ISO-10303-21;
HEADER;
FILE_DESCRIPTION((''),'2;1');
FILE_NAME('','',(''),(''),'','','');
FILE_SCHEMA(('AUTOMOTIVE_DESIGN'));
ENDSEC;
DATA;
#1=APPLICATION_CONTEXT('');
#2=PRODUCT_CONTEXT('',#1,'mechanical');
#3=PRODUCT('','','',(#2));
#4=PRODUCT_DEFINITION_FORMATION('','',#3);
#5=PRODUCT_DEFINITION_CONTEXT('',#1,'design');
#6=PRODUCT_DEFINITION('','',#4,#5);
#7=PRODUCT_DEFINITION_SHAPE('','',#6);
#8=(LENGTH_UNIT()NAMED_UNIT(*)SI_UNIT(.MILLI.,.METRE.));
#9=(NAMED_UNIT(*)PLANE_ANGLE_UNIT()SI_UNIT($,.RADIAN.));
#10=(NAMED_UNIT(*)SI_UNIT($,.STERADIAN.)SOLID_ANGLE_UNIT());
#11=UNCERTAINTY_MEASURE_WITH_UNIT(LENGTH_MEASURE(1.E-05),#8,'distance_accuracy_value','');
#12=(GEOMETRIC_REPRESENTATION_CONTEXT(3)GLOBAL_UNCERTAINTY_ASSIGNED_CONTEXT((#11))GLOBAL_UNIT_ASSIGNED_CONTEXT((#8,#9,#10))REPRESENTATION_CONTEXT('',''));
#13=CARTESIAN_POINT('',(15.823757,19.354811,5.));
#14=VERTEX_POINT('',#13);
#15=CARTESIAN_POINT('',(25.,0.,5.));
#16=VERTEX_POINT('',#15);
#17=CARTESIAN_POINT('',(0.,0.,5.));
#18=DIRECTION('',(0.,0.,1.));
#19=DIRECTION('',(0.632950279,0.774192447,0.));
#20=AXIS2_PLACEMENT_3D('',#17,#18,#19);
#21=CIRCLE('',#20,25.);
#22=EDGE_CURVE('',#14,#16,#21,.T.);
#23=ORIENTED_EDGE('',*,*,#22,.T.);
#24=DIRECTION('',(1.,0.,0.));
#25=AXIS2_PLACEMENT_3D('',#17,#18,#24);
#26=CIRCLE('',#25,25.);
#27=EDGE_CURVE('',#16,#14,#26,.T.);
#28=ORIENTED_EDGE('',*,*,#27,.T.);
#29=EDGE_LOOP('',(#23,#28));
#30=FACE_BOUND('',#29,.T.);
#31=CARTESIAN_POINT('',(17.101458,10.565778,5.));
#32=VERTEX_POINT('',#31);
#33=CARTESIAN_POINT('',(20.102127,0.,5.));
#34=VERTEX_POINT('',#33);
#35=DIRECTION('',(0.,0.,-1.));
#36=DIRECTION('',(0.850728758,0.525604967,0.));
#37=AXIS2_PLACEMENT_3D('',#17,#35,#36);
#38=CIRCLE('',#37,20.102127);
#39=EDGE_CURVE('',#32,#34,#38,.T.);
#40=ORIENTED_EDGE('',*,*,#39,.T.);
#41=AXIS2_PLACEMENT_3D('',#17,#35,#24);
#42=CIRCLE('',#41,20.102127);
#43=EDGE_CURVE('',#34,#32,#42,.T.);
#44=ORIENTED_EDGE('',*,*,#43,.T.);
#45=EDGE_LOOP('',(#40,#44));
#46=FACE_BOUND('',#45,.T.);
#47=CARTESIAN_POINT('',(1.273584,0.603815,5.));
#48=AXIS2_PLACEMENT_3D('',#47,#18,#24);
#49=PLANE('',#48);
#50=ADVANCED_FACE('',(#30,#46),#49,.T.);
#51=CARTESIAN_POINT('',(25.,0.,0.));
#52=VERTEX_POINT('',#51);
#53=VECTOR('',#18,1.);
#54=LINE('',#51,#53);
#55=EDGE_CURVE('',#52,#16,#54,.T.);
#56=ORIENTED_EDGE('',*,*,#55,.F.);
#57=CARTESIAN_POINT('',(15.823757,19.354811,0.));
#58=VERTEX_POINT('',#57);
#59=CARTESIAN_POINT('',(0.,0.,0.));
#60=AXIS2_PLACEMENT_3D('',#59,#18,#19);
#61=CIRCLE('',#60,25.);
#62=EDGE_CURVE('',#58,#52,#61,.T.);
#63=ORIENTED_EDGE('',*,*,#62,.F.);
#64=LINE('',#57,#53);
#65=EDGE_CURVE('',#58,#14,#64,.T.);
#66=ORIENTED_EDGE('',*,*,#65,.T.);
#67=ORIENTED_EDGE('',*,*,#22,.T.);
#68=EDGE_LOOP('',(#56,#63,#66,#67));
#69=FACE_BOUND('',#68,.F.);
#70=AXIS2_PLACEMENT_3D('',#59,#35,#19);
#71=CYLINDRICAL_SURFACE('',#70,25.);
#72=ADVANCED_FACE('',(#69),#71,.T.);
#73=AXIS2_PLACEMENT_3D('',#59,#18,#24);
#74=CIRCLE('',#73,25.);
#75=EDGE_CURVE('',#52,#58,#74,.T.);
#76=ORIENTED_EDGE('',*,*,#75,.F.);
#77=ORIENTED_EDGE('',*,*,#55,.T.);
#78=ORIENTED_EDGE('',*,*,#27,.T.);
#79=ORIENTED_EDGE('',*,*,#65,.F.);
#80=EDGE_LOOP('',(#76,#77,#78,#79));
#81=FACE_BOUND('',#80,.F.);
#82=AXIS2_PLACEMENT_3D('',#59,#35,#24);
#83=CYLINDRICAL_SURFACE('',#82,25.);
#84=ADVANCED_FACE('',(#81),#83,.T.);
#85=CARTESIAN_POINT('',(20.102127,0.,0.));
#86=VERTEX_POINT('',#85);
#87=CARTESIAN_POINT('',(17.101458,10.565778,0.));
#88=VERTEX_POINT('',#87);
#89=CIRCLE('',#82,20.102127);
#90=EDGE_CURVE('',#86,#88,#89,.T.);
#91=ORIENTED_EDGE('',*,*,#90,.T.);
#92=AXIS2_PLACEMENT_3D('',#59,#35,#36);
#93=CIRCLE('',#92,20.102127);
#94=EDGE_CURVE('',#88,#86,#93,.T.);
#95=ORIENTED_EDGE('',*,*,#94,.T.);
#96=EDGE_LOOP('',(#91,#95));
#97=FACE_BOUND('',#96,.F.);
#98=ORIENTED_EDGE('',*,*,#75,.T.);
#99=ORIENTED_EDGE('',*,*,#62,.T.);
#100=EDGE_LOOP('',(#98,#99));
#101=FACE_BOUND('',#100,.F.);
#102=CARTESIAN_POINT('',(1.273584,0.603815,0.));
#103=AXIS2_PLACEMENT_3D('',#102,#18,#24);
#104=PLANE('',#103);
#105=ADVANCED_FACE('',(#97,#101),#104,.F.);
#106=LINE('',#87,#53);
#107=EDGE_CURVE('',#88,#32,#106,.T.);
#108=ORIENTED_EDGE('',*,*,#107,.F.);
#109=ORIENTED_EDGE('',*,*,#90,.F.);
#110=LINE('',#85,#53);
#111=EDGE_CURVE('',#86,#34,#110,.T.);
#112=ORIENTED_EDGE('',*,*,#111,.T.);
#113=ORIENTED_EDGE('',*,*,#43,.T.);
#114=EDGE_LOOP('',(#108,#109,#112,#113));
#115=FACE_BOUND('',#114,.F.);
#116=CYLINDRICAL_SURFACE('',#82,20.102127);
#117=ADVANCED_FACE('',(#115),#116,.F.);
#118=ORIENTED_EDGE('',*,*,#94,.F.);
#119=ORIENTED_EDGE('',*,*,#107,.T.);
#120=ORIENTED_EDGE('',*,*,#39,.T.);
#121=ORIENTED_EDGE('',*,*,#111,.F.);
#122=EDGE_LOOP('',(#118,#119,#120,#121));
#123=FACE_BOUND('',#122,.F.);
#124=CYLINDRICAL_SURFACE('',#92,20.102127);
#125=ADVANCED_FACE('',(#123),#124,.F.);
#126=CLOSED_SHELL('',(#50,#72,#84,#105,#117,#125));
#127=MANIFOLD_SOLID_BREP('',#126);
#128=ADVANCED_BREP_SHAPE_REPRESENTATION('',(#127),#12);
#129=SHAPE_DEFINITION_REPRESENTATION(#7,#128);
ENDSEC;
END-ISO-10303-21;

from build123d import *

# Parameters (mm, degrees)
F2_DEPTH = 5


with BuildPart() as f2:
    # F1 (on face) → F2 (new body)
    with BuildSketch(Plane.XY):
        with BuildLine():
            ThreePointArc((25, 0), (22.589753477, 10.709950413), (15.8237569722, 19.3548111664))
            ThreePointArc((15.8237569722, 19.3548111664), (-22.589753477, -10.709950413), (25, 0))
        make_face()
        with BuildLine():
            ThreePointArc((20.1021274538, 0), (-19.3374147026, -5.4918048753), (17.101457912, 10.5657780335))
            ThreePointArc((17.101457912, 10.5657780335), (19.3374147026, 5.4918048753), (20.1021274538, 0))
        make_face(mode=Mode.SUBTRACT)
    extrude(amount=F2_DEPTH)


solid = f2.part
